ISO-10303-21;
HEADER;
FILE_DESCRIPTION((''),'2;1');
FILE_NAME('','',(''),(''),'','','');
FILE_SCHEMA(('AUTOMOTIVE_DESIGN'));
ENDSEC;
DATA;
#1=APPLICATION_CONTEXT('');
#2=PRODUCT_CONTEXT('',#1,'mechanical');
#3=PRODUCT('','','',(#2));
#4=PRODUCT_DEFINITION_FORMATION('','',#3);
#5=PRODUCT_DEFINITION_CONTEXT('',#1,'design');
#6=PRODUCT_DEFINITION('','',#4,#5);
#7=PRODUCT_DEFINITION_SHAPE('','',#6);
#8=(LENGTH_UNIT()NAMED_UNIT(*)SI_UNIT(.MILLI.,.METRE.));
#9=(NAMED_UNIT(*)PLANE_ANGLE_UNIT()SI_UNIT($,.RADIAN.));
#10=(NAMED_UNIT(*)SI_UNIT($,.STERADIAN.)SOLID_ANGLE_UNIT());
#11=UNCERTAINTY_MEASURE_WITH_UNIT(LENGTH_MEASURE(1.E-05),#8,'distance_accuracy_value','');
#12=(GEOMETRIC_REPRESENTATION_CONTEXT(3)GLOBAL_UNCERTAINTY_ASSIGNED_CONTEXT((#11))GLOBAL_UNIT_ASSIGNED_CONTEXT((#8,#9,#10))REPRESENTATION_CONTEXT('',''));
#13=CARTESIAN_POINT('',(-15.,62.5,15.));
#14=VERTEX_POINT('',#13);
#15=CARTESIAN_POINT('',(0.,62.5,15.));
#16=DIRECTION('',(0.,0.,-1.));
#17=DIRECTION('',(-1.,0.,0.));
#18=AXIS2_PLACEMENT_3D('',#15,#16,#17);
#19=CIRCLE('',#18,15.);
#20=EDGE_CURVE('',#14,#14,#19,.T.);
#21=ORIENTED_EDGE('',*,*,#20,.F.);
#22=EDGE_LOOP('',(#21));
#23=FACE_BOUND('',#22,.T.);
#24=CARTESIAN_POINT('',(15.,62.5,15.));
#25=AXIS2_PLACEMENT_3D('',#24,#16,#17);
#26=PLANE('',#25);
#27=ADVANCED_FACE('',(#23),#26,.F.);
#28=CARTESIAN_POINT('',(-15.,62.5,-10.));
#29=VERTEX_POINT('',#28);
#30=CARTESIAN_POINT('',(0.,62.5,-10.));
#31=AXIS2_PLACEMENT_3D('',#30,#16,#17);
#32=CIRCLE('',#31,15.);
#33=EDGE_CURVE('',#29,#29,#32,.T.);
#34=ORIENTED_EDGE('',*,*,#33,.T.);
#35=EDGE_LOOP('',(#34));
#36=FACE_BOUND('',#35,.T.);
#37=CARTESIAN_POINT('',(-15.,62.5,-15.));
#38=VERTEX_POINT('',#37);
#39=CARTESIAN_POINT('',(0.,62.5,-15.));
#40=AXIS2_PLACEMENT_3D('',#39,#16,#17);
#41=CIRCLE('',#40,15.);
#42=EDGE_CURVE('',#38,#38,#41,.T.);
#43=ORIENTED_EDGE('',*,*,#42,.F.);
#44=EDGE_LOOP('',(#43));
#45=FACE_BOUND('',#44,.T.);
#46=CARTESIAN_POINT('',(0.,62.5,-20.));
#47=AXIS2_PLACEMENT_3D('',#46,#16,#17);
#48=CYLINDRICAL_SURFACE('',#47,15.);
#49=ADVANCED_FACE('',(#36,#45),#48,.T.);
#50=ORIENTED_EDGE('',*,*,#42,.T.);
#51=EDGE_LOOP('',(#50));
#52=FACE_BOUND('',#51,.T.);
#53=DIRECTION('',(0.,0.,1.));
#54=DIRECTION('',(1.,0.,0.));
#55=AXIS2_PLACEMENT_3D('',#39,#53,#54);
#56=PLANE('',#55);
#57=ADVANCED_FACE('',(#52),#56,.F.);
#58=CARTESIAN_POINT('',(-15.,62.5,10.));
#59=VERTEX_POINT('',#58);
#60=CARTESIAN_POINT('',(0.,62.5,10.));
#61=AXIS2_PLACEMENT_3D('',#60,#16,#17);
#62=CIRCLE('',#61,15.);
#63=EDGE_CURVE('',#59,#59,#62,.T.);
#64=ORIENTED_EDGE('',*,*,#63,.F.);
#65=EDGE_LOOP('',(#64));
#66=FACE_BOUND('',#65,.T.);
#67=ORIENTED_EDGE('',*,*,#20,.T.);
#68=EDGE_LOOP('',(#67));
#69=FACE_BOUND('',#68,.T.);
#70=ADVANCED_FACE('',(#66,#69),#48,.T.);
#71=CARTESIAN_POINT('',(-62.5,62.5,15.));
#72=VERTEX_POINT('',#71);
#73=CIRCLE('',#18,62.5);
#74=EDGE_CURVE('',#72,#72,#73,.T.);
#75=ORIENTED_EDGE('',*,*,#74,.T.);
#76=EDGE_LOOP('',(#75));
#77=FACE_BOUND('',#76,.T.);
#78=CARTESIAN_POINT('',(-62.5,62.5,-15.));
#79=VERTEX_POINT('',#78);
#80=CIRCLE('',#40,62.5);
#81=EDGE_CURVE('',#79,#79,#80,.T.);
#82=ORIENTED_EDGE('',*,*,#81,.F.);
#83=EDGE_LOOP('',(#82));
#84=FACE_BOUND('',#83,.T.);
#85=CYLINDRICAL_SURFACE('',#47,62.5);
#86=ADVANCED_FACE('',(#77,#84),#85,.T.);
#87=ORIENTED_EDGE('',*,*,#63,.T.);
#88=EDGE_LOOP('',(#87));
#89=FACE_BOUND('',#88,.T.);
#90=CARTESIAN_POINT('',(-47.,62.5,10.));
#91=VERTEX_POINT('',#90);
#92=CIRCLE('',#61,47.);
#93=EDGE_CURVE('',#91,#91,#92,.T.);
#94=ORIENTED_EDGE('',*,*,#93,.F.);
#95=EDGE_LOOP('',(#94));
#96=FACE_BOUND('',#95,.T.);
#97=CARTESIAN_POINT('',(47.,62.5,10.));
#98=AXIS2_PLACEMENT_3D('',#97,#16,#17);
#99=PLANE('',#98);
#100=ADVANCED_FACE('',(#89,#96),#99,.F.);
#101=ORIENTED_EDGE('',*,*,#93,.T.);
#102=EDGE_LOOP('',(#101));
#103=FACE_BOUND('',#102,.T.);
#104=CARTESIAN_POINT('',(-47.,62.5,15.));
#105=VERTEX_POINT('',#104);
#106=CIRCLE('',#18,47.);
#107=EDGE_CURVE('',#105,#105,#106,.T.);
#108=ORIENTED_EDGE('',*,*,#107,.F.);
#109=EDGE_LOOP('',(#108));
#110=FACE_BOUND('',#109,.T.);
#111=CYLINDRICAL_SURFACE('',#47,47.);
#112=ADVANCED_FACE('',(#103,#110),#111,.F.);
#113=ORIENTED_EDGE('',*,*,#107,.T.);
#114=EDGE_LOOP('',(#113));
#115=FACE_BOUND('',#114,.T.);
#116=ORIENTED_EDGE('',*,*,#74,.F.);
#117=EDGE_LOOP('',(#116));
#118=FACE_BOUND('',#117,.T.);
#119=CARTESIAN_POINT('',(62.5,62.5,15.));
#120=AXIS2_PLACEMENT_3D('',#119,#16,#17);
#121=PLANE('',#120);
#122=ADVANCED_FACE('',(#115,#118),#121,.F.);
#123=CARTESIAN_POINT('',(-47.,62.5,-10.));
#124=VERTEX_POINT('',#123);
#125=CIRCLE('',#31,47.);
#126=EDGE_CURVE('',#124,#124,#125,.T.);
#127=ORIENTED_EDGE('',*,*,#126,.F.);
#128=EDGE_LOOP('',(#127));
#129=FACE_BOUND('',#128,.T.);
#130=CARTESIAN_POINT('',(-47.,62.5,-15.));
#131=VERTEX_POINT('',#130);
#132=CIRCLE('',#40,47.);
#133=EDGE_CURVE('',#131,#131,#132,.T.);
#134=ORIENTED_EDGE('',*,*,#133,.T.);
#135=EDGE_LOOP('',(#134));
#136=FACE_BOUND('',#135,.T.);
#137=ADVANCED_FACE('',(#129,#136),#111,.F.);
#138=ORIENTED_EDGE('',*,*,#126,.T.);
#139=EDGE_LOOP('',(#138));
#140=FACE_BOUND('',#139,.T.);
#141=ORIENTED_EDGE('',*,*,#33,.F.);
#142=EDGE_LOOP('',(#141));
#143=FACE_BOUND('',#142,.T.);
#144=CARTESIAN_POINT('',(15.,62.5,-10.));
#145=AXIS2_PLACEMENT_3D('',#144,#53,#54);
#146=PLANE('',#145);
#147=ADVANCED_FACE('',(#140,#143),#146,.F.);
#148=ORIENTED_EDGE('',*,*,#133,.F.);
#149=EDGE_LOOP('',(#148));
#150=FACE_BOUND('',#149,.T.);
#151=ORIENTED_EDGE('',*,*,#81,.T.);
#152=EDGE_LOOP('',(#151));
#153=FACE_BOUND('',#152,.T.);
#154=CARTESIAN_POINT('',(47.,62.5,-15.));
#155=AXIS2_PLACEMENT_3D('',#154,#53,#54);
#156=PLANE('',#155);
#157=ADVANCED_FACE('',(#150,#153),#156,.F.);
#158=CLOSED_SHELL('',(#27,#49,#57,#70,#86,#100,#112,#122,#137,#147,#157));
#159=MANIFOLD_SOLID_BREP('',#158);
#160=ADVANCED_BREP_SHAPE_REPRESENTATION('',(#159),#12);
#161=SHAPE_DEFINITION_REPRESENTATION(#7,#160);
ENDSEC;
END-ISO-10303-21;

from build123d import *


with BuildPart() as part:
    # SK_P01_Wheel125x30 → P01_Wheel125x30 (revolve)
    with BuildSketch(Plane(origin=(0, 62.5, 0), x_dir=(1, 0, 0), z_dir=(0, 1, 0)), mode=Mode.PRIVATE) as p01_wheel125x30_sk:
        Polygon((0, 15), (15, 15), (15, 10), (47, 10), (47, 15), (62.5, 15), (62.5, -15), (47, -15), (47, -10), (15, -10), (15, -15), (0, -15), align=None)
    revolve(p01_wheel125x30_sk.sketch.rotate(Axis((0, 62.5, -20), (0, 0, 1)), 180), axis=Axis((0, 62.5, -20), (0, 0, 1)))


solid = part.part
